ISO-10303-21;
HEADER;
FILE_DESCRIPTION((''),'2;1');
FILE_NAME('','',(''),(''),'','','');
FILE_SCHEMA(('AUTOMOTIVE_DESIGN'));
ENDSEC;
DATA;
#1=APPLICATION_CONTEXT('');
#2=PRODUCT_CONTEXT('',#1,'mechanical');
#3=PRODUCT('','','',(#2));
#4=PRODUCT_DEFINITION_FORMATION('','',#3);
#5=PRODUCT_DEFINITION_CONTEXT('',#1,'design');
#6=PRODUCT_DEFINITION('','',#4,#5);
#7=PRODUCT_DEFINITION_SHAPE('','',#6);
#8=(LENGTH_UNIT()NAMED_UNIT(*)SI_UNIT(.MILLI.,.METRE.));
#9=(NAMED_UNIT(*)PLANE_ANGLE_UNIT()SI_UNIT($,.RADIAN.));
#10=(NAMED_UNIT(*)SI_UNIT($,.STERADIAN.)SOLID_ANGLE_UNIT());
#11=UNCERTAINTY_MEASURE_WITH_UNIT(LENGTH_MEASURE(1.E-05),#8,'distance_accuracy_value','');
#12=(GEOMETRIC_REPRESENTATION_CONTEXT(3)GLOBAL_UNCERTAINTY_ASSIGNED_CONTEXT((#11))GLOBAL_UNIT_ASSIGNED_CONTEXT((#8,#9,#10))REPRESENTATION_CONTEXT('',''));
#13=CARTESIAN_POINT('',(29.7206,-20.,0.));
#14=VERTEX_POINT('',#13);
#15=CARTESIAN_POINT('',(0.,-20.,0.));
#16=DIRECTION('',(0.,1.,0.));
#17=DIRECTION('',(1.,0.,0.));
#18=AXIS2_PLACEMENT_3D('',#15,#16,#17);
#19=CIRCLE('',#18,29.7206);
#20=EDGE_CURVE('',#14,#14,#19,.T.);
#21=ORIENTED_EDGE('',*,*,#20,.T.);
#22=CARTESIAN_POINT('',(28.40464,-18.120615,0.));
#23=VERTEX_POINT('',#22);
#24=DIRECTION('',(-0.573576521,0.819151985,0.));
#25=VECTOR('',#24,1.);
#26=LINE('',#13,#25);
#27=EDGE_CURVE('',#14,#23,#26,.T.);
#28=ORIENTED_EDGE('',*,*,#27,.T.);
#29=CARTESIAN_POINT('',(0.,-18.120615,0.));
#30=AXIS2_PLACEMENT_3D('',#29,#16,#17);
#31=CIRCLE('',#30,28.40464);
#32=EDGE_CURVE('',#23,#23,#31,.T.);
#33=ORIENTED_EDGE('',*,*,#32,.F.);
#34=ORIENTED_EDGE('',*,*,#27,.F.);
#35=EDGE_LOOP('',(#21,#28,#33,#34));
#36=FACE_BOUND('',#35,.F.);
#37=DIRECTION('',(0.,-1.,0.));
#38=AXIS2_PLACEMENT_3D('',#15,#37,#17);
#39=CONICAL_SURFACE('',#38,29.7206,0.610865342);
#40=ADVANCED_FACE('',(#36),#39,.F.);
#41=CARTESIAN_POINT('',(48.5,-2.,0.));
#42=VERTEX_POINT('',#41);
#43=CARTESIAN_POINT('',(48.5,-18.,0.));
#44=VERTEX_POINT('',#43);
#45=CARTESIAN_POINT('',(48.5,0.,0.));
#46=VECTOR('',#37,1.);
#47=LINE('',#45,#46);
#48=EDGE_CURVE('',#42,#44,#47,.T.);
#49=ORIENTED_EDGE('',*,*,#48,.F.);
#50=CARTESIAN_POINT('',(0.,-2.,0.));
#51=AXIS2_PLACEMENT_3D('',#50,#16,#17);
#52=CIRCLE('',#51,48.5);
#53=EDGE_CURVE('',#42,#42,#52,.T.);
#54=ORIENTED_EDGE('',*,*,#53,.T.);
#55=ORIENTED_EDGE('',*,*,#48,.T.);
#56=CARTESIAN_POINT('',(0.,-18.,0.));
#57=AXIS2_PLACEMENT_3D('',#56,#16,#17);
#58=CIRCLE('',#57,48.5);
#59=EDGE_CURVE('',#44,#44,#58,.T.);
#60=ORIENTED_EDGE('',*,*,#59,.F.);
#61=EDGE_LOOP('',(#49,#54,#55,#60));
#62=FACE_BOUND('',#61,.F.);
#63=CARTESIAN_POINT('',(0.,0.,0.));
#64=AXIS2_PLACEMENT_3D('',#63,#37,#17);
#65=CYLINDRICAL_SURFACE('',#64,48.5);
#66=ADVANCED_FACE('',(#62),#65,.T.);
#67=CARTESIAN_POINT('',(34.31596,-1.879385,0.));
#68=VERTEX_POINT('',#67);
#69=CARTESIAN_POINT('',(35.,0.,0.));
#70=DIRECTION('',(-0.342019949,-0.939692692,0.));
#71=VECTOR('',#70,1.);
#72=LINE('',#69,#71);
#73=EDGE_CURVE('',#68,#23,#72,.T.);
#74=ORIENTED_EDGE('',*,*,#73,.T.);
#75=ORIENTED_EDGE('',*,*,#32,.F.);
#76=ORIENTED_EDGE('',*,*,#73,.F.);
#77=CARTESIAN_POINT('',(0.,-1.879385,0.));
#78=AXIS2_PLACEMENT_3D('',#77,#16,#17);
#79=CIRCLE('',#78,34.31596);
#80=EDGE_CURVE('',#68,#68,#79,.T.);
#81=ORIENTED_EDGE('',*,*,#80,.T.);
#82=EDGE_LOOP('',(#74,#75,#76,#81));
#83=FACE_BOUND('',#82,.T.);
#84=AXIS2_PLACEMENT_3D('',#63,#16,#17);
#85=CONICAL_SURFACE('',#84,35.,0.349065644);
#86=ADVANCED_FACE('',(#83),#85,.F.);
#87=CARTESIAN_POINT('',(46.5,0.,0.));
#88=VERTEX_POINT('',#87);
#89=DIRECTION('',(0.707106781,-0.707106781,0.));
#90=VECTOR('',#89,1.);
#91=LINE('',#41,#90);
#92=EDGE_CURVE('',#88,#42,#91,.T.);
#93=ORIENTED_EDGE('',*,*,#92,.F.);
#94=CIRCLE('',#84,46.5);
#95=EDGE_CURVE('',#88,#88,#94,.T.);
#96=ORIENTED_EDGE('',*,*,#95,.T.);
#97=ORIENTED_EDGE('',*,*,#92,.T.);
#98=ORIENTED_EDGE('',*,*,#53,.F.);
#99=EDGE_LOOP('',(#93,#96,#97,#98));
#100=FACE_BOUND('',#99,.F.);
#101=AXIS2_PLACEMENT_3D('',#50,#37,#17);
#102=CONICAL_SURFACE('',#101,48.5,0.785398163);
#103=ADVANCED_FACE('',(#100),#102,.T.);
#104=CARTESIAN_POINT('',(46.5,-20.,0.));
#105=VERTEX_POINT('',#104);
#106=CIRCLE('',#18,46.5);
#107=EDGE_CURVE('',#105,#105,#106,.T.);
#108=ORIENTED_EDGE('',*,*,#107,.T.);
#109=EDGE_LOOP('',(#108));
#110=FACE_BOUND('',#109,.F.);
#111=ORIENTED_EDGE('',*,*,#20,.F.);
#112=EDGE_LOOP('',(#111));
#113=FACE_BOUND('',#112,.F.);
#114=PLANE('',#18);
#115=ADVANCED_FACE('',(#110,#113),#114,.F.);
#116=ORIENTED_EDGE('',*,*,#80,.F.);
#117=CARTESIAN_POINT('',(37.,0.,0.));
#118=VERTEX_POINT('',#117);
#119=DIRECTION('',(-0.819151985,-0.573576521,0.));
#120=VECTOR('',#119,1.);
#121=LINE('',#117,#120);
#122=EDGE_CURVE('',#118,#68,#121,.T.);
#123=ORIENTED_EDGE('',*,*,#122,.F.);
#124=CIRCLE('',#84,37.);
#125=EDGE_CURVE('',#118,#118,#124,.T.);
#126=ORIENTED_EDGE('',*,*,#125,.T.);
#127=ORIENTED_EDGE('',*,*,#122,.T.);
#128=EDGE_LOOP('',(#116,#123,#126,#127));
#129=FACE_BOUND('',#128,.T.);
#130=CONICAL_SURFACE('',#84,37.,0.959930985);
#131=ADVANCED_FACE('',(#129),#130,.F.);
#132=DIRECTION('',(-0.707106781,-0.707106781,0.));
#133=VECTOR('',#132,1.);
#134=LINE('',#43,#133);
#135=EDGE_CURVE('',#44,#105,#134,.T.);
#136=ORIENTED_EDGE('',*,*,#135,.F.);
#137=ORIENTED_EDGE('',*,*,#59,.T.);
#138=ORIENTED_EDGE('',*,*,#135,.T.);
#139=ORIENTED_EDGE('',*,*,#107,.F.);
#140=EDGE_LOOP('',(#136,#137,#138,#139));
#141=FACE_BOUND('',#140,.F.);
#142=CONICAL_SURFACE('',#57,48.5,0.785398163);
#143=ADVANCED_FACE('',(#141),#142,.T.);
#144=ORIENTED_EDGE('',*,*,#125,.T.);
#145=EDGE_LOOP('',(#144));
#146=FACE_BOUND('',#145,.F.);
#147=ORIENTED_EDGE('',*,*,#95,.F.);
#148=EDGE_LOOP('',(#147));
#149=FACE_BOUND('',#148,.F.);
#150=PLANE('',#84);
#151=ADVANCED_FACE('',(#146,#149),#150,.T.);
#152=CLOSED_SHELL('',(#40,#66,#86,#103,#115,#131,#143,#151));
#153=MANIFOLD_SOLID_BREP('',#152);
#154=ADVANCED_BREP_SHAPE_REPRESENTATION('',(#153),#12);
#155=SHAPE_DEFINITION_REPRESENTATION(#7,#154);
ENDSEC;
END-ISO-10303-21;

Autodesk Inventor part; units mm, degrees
ref_plane "YZ Plane" through (0, 0, 0) normal (1, 0, 0) x (0, 1, 0)
ref_plane "XZ Plane" through (0, 0, 0) normal (0, 1, 0) x (-1, 0, 0)
ref_plane "XY Plane" through (0, 0, 0) normal (0, 0, 1) x (1, 0, 0)
sketch "Эскиз1" plane through (0, 0, 0) normal (0, 0, 1) x (1, 0, 0)
  line L0 (0, 0) -> (48.5, 0)
  line L1 (48.5, 0) -> (48.5, -20)
  line L2 (48.5, -20) -> (6.9412, -20)
  line L3 (0, 0) -> (35, 0)
  line L4 (35, 0) -> (27.7206, -20)
  line L5 (0, -24) -> (0, 4) projected
  dimension "d0" = 48.5
  dimension "d1" = 20
  dimension "d2" = 35
  dimension "d3" = 70
revolve "Вращение1" add sketch "Эскиз1" angle 360 about axis through (0, -10, 0) along (0, 1, 0)
chamfer "Фаска1" distance 2 angle 45 2 edges at (-35, 0, 0) (-27.7206, -20, 0)
chamfer "Фаска2" distance 2 angle 45 2 edges at (-48.5, -20, 0) (-48.5, 0, 0)
properties part number "Кольцо поршень-шток верх_CPY" material "Сталь, мягкая"
